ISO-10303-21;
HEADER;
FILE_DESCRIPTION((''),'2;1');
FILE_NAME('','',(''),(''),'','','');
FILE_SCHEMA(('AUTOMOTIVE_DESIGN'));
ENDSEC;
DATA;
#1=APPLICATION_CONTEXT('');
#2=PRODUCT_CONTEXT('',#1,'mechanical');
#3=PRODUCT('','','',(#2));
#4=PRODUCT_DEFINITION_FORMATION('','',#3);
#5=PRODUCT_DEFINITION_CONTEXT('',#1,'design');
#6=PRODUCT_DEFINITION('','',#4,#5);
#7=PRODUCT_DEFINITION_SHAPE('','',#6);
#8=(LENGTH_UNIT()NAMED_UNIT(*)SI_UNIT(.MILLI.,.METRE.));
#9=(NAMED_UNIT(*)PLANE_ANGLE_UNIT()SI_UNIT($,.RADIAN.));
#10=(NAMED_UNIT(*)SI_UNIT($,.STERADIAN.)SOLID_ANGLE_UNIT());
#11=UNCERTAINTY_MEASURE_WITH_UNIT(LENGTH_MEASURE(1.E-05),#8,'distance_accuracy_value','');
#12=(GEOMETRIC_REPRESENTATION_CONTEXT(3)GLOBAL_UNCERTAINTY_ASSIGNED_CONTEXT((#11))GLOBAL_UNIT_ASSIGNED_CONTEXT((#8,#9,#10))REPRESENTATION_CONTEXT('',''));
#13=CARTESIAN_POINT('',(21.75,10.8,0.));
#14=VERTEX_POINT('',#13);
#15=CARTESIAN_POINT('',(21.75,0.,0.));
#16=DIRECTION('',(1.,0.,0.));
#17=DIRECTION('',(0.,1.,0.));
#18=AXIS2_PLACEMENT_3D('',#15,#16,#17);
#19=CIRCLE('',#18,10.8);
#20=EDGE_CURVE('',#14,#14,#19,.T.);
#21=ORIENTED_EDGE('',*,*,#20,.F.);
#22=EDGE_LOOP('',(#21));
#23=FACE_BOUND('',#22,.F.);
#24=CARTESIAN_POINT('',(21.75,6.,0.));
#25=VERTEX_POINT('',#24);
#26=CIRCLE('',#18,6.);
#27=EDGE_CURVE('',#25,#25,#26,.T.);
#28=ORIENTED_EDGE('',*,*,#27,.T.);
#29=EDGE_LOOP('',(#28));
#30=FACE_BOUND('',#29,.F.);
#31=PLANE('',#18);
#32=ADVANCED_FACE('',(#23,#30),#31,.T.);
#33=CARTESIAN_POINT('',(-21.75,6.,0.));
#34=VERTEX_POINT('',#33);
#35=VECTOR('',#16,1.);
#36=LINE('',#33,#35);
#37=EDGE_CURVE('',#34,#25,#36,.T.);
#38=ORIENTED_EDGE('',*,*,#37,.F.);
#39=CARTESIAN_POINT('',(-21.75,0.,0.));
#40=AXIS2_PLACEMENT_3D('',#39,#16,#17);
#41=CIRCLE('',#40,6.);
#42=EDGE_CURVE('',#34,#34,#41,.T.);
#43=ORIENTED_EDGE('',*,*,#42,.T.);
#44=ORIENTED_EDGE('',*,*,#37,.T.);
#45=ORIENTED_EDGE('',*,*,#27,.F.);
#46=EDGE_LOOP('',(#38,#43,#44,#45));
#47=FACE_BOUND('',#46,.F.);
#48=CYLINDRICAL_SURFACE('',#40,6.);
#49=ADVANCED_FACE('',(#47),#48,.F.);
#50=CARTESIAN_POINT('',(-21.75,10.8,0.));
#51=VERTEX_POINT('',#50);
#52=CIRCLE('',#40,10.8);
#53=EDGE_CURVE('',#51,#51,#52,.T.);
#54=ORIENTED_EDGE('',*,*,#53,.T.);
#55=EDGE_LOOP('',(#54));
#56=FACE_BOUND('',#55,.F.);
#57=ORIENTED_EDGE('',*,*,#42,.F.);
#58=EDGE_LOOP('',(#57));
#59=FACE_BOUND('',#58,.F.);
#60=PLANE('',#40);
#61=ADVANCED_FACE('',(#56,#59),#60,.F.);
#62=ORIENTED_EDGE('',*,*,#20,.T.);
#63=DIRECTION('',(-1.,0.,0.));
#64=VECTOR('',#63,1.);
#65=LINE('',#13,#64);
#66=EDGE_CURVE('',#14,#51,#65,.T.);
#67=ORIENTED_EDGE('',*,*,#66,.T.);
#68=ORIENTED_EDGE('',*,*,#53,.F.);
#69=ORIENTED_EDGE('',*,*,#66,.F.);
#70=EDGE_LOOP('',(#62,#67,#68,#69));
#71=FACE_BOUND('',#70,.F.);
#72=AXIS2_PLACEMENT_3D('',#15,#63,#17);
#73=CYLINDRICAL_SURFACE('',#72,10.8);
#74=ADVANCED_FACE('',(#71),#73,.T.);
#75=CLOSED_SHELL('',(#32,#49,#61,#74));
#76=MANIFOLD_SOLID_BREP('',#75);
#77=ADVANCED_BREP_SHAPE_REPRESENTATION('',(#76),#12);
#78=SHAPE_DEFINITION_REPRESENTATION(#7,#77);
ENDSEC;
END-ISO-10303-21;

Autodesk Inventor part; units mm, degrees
ref_plane "YZ Plane" through (0, 0, 0) normal (1, 0, 0) x (0, 1, 0)
ref_plane "XZ Plane" through (0, 0, 0) normal (0, 1, 0) x (-1, 0, 0)
ref_plane "XY Plane" through (0, 0, 0) normal (0, 0, 1) x (1, 0, 0)
sketch "Skizze1" plane through (0, 0, 0) normal (0, 0, 1) x (1, 0, 0)
  line L0 (-21.75, 0) -> (21.75, 0)
  line L1 (-21.75, 6) -> (21.75, 6)
  line L2 (21.75, 6) -> (21.75, 10.8)
  line L3 (21.75, 10.8) -> (-21.75, 10.8)
  line L4 (-21.75, 10.8) -> (-21.75, 6)
  point P0 (0, 0)
  point P1 (0, 0)
  dimension "d0" = 43.5
  dimension "d1" = 12
  dimension "d4" = 4.8
revolve "Umdrehung1" add sketch "Skizze1" angle 360 about axis through (-21.75, 0, 0) along (1, 0, 0)
properties part number "Spule" material "Kupfer"
